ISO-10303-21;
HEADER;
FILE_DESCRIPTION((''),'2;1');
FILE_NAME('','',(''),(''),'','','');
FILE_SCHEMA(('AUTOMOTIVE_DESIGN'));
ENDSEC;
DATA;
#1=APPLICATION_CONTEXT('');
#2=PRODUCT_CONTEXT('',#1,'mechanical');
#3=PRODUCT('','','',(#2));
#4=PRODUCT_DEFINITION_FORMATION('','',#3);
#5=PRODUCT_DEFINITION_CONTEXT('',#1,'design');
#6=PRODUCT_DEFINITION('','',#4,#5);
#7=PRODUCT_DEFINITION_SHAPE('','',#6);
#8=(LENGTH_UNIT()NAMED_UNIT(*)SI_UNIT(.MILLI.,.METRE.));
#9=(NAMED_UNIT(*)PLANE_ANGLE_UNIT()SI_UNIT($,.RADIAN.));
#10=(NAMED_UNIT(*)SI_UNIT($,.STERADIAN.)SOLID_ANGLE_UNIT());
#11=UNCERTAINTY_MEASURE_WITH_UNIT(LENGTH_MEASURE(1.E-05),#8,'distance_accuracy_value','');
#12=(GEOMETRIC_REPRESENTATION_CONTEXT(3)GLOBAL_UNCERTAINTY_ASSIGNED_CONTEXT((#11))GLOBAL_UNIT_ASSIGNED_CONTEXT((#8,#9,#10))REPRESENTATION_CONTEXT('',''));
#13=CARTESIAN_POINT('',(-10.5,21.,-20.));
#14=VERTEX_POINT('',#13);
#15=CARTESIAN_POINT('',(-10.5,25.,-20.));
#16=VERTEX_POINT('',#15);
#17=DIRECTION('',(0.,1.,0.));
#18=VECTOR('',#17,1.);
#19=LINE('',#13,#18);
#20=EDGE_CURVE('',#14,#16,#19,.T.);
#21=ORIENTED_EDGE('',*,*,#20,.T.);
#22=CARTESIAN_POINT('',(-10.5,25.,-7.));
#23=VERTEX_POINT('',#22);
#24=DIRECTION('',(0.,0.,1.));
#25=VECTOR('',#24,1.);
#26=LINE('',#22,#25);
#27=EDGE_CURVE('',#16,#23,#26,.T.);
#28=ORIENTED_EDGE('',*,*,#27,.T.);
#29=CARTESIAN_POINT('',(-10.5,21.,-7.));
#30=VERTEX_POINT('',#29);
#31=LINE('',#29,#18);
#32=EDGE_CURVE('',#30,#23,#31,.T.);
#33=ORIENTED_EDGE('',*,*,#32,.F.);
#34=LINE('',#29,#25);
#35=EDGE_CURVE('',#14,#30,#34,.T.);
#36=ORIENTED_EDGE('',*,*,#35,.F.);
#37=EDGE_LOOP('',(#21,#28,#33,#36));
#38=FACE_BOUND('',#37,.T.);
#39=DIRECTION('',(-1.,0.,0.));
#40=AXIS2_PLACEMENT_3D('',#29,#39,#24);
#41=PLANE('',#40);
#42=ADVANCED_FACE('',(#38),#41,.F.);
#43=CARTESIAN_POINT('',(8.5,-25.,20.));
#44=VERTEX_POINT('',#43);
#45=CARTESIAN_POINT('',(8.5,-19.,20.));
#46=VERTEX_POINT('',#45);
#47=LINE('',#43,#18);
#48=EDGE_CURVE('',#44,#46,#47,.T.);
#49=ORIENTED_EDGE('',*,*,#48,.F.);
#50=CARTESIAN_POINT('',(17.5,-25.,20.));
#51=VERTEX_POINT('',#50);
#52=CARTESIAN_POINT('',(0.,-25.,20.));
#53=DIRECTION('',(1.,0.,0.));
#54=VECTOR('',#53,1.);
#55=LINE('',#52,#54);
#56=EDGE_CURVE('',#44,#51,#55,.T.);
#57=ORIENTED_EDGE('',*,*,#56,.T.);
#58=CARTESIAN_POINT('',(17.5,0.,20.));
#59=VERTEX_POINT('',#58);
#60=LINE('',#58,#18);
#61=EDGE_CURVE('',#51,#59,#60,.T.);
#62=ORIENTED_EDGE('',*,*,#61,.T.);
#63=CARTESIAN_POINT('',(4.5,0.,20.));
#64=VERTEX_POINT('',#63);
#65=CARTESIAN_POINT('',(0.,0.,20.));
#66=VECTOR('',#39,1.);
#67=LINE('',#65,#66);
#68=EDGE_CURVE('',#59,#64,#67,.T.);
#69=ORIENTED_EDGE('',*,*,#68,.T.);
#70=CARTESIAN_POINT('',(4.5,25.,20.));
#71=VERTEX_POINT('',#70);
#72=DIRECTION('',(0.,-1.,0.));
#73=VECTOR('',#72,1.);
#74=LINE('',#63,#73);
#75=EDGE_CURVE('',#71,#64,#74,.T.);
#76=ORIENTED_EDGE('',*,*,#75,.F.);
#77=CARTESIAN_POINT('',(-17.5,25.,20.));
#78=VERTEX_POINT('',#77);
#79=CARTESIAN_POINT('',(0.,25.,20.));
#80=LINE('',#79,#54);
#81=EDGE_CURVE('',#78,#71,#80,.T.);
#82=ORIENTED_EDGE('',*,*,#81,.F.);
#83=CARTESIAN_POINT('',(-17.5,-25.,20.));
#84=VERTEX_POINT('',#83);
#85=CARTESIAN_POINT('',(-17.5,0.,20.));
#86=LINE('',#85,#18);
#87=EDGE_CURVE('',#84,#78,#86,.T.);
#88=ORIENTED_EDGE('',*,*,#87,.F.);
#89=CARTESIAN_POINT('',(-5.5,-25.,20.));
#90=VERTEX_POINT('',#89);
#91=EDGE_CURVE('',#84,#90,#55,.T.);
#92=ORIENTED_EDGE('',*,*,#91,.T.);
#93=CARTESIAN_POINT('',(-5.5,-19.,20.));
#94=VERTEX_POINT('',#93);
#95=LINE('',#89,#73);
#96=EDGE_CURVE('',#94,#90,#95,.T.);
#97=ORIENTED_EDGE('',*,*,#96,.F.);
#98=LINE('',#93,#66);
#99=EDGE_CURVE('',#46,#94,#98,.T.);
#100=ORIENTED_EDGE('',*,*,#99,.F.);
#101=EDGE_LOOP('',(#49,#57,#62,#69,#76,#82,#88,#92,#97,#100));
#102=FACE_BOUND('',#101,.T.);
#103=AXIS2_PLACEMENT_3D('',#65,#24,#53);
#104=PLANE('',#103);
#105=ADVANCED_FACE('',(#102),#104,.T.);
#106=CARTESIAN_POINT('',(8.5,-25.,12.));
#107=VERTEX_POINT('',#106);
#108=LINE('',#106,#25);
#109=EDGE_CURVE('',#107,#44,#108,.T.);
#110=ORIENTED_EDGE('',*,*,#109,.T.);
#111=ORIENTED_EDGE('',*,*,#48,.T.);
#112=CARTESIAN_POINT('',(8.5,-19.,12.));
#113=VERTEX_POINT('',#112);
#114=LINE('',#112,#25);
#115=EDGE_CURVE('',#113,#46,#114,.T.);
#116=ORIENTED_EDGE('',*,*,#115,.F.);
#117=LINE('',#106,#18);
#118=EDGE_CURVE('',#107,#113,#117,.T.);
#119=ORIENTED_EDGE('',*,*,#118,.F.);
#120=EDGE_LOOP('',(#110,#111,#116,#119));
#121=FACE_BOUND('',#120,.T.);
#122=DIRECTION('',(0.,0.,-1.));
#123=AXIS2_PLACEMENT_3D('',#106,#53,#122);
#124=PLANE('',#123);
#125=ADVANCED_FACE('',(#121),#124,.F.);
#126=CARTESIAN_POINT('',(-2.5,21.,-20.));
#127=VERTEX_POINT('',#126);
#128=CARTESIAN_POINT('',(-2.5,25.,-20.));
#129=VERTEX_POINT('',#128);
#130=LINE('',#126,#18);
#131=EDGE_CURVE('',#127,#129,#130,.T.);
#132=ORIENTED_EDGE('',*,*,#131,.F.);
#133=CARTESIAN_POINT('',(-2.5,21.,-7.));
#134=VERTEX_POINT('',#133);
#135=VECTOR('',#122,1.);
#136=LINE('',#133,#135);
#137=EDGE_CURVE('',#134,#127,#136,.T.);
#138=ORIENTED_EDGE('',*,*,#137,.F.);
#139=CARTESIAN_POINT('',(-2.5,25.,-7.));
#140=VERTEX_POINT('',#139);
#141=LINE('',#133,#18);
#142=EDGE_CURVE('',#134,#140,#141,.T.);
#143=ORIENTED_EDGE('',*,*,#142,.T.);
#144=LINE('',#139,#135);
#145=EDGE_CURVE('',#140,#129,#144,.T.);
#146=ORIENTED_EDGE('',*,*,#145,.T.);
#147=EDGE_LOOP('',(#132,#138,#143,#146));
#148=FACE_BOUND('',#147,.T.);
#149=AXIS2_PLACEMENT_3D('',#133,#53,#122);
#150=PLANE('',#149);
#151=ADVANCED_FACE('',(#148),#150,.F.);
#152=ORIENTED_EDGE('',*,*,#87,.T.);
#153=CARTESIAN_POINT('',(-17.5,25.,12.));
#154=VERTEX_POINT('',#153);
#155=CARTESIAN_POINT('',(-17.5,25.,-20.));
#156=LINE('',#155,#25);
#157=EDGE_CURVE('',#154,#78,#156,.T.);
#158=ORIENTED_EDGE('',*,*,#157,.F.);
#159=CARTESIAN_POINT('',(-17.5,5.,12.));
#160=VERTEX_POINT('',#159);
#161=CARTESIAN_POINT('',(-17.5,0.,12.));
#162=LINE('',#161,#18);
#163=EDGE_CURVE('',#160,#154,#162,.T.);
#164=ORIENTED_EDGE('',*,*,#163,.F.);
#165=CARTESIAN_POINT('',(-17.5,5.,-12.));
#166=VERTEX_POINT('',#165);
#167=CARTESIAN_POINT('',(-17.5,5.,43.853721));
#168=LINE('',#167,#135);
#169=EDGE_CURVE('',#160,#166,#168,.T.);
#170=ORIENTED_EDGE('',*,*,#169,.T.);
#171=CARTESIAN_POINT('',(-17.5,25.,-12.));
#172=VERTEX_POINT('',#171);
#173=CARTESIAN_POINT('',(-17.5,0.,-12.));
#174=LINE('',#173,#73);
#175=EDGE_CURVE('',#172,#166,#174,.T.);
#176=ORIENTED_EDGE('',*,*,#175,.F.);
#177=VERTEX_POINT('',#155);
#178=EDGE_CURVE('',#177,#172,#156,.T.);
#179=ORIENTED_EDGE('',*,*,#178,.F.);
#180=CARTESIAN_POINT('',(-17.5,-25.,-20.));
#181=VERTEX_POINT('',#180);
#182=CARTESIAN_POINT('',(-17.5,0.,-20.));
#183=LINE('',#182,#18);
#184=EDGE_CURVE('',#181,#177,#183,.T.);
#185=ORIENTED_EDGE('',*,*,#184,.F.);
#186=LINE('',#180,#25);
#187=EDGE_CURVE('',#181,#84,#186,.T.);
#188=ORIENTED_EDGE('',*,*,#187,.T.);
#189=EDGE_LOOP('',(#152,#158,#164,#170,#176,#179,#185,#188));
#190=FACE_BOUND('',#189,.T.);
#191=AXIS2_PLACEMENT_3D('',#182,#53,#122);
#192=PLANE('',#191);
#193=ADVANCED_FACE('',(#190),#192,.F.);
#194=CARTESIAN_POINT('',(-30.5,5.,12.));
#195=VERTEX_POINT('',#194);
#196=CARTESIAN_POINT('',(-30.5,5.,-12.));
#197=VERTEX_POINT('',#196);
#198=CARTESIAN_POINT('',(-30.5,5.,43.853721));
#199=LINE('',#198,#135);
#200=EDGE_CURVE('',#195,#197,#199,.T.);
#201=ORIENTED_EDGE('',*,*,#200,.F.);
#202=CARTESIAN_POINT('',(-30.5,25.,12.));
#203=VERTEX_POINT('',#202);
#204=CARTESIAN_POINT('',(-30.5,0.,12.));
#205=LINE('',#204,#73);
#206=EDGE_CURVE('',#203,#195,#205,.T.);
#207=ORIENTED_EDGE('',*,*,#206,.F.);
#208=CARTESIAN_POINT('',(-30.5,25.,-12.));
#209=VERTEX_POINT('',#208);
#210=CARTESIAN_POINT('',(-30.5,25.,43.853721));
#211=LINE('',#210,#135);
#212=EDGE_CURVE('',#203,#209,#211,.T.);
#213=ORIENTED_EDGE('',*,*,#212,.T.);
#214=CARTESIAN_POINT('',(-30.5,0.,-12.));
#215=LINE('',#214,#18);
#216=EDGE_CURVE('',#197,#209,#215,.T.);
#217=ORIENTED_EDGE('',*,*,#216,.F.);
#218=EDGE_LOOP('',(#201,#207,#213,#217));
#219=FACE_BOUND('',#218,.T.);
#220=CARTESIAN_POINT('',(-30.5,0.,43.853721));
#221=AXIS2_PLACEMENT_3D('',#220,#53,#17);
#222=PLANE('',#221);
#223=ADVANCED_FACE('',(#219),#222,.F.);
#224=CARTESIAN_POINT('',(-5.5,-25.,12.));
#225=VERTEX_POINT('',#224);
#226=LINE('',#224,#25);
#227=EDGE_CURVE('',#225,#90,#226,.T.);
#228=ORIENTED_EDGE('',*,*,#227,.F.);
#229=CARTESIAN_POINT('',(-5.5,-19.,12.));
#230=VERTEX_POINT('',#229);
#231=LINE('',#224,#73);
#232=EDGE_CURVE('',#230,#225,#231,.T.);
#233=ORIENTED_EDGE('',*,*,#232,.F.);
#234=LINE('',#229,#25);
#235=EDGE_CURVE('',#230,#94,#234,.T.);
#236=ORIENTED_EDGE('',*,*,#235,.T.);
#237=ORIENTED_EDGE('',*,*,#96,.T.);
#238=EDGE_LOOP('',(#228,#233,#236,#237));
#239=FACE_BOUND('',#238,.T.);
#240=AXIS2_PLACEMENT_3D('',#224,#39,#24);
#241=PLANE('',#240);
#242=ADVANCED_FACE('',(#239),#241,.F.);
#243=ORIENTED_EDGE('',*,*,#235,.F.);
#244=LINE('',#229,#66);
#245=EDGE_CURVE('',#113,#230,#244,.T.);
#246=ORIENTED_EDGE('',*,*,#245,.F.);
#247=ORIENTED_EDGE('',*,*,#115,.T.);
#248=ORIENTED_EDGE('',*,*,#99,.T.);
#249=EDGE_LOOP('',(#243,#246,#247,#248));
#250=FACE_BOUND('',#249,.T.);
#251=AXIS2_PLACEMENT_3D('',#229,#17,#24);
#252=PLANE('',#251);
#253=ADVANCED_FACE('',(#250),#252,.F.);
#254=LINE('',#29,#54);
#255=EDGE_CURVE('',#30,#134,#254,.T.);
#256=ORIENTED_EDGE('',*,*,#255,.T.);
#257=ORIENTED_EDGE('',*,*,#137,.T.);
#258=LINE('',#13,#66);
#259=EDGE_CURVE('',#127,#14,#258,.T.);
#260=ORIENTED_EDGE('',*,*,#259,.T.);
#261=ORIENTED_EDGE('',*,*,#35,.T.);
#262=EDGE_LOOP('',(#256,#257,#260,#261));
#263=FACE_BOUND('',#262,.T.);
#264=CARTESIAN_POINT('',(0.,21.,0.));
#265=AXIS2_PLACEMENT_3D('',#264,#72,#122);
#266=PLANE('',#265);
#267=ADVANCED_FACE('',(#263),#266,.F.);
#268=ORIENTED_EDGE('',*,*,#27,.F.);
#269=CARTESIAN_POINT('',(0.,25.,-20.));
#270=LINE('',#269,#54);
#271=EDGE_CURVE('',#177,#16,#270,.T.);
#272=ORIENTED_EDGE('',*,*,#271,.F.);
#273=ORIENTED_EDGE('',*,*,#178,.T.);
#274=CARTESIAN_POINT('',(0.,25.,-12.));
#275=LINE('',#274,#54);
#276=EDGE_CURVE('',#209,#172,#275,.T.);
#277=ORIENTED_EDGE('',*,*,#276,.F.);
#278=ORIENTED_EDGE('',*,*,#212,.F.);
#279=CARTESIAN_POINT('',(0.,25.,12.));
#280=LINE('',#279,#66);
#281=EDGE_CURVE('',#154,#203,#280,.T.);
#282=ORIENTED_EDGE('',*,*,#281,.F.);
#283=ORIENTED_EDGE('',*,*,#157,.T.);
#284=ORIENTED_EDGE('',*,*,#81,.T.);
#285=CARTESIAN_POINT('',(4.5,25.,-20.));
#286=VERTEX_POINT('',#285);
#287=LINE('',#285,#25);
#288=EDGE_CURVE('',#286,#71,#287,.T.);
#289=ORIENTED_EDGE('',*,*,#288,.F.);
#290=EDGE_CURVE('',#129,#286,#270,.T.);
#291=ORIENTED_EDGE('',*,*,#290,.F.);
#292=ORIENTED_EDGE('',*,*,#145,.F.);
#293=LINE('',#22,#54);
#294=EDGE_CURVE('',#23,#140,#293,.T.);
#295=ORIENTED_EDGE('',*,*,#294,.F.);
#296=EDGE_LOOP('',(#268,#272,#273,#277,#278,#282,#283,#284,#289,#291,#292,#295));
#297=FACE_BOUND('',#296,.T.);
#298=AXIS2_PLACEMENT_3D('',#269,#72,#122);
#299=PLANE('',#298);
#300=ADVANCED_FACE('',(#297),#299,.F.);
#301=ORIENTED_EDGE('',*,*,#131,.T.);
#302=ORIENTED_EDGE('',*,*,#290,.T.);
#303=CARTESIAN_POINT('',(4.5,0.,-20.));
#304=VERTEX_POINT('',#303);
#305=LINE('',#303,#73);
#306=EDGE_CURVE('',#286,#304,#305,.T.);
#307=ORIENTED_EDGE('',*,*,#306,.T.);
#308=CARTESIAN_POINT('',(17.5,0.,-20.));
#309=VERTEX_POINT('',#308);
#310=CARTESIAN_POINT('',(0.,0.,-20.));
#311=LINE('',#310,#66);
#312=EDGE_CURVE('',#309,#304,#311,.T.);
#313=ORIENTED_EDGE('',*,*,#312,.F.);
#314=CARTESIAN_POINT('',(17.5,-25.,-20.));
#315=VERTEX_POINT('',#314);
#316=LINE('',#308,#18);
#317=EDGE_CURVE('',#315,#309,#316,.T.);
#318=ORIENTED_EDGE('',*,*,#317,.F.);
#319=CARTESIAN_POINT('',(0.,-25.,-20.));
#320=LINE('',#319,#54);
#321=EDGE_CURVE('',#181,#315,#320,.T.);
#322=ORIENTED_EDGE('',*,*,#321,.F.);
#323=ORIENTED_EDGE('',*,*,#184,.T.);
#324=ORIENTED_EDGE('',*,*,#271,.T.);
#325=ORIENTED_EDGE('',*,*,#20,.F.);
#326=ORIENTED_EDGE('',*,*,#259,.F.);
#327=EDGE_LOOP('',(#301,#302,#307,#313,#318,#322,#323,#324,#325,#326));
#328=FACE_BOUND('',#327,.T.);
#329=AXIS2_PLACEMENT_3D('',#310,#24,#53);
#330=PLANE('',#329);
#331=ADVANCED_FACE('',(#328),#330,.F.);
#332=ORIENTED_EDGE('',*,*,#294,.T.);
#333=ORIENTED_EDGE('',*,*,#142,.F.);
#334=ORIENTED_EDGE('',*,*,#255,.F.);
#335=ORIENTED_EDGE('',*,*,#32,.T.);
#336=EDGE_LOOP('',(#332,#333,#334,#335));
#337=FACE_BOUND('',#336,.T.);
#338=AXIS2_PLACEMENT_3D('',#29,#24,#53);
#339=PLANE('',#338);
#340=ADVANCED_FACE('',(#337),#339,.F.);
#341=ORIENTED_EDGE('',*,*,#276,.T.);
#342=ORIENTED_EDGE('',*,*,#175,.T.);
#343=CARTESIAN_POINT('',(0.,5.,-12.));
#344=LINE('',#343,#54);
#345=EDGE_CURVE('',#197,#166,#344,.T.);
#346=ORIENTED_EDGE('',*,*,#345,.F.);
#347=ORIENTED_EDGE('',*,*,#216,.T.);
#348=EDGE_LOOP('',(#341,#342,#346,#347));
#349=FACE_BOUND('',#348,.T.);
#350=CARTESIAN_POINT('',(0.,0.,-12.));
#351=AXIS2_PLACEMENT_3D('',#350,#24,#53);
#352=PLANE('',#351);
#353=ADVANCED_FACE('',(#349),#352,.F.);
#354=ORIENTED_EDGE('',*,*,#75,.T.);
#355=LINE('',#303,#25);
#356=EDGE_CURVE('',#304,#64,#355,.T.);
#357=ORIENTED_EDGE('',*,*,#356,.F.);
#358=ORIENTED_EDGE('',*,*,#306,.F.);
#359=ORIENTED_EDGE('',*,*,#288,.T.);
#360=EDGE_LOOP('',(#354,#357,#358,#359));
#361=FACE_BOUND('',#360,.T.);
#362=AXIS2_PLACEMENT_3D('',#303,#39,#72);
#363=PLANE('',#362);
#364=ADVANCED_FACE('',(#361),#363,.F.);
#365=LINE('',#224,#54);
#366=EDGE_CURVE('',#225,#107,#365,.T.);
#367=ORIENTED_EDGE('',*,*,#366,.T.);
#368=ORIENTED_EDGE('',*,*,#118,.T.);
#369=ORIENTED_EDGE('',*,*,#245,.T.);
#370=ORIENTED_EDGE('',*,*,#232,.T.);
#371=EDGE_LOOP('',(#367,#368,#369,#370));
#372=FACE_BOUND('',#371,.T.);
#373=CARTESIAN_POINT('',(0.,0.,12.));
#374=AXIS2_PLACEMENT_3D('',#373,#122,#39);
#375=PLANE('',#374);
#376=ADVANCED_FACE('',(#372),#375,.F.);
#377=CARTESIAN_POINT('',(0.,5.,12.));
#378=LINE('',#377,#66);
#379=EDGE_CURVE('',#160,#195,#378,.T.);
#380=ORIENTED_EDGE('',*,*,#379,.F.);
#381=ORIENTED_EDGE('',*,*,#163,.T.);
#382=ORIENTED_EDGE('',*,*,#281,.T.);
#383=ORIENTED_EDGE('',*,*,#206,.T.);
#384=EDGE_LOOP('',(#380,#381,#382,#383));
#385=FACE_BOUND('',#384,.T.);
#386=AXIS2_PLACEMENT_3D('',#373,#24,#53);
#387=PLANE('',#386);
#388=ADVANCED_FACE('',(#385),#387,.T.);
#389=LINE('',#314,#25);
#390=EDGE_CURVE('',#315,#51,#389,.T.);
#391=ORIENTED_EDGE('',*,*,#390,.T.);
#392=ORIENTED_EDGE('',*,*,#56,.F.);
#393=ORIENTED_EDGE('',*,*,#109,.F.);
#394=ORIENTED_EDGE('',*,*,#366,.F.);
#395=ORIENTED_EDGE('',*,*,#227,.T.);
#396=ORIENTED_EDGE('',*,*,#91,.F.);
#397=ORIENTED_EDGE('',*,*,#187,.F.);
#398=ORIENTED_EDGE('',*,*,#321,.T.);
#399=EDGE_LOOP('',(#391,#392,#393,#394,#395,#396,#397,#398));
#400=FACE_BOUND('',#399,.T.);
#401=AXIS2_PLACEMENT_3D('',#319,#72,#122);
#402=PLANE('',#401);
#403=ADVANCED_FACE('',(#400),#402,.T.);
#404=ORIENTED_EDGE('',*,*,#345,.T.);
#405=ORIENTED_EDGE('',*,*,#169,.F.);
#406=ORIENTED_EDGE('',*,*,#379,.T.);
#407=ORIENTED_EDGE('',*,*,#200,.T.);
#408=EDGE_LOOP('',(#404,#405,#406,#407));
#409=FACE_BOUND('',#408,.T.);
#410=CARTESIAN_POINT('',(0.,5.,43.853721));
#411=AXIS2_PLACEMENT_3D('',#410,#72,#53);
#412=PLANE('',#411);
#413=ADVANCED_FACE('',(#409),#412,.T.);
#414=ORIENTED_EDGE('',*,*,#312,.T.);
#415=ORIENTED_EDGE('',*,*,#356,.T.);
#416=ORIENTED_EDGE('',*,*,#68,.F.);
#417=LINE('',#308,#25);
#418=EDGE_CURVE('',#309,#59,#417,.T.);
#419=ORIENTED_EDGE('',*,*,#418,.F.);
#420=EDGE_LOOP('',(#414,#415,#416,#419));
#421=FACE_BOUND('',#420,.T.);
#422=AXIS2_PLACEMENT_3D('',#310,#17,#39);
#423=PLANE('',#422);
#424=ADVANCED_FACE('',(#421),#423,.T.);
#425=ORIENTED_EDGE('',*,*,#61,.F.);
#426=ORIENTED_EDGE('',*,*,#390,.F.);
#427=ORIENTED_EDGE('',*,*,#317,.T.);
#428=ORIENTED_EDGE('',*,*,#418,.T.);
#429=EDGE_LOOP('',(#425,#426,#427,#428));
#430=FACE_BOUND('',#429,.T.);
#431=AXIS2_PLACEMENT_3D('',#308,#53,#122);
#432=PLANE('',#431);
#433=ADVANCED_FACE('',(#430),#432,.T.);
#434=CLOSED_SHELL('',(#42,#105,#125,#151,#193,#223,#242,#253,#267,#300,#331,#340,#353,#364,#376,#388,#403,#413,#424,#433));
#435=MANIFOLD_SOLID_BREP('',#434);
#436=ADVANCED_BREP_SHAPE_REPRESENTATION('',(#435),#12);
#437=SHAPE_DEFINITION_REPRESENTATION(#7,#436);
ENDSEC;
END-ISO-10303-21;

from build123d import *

# Parameters (mm, degrees)
EXTRUDE_1_DEPTH      = 20
EXTRUDE_1_DEPTH_BACK = 20
EXTRUDE_2_DEPTH      = 12
EXTRUDE_2_DEPTH_BACK = 12
SKETCH_1_3_W         = 13
SKETCH_1_3_H         = 20
SKETCH_2_W           = 14
SKETCH_2_H           = 6
CUT_EXTRUDE_1_DEPTH  = 8
SKETCH_3_W           = 8
SKETCH_3_H           = 13
CUT_EXTRUDE_2_DEPTH  = 4


with BuildPart() as part:
    # Эскиз1 → Бобышка-Вытянуть1 (new, two sides: drawn at the far end of the back side and taken through both)
    with BuildSketch(Plane.XY.offset(-EXTRUDE_1_DEPTH_BACK)):
        Polygon((-17.5, 5), (-17.5, -25), (17.5, -25), (17.5, 0), (4.5, 0), (4.5, 25), (-17.5, 25), align=None)
    extrude(amount=EXTRUDE_1_DEPTH + EXTRUDE_1_DEPTH_BACK)

    # Эскиз1<3> → Бобышка-Вытянуть2 (add, two sides: drawn at the far end of the back side and taken through both)
    with BuildSketch(Plane.XY.offset(-EXTRUDE_2_DEPTH_BACK)):
        with Locations((-24, 15)):
            Rectangle(SKETCH_1_3_W, SKETCH_1_3_H)
    extrude(amount=EXTRUDE_2_DEPTH + EXTRUDE_2_DEPTH_BACK)

    # Эскиз2 → Вырез-Вытянуть1 (cut)
    with BuildSketch(Plane.XY.offset(20)):
        with Locations((1.5, -22)):
            Rectangle(SKETCH_2_W, SKETCH_2_H)
    extrude(amount=-CUT_EXTRUDE_1_DEPTH, mode=Mode.SUBTRACT)

    # Эскиз3 → Вырез-Вытянуть2 (cut)
    with BuildSketch(Plane(origin=(0, 25, 0), x_dir=(1, 0, 0), z_dir=(0, 1, 0))):
        with Locations((-6.5, 13.5)):
            Rectangle(SKETCH_3_W, SKETCH_3_H)
    extrude(amount=-CUT_EXTRUDE_2_DEPTH, mode=Mode.SUBTRACT)


solid = part.part
